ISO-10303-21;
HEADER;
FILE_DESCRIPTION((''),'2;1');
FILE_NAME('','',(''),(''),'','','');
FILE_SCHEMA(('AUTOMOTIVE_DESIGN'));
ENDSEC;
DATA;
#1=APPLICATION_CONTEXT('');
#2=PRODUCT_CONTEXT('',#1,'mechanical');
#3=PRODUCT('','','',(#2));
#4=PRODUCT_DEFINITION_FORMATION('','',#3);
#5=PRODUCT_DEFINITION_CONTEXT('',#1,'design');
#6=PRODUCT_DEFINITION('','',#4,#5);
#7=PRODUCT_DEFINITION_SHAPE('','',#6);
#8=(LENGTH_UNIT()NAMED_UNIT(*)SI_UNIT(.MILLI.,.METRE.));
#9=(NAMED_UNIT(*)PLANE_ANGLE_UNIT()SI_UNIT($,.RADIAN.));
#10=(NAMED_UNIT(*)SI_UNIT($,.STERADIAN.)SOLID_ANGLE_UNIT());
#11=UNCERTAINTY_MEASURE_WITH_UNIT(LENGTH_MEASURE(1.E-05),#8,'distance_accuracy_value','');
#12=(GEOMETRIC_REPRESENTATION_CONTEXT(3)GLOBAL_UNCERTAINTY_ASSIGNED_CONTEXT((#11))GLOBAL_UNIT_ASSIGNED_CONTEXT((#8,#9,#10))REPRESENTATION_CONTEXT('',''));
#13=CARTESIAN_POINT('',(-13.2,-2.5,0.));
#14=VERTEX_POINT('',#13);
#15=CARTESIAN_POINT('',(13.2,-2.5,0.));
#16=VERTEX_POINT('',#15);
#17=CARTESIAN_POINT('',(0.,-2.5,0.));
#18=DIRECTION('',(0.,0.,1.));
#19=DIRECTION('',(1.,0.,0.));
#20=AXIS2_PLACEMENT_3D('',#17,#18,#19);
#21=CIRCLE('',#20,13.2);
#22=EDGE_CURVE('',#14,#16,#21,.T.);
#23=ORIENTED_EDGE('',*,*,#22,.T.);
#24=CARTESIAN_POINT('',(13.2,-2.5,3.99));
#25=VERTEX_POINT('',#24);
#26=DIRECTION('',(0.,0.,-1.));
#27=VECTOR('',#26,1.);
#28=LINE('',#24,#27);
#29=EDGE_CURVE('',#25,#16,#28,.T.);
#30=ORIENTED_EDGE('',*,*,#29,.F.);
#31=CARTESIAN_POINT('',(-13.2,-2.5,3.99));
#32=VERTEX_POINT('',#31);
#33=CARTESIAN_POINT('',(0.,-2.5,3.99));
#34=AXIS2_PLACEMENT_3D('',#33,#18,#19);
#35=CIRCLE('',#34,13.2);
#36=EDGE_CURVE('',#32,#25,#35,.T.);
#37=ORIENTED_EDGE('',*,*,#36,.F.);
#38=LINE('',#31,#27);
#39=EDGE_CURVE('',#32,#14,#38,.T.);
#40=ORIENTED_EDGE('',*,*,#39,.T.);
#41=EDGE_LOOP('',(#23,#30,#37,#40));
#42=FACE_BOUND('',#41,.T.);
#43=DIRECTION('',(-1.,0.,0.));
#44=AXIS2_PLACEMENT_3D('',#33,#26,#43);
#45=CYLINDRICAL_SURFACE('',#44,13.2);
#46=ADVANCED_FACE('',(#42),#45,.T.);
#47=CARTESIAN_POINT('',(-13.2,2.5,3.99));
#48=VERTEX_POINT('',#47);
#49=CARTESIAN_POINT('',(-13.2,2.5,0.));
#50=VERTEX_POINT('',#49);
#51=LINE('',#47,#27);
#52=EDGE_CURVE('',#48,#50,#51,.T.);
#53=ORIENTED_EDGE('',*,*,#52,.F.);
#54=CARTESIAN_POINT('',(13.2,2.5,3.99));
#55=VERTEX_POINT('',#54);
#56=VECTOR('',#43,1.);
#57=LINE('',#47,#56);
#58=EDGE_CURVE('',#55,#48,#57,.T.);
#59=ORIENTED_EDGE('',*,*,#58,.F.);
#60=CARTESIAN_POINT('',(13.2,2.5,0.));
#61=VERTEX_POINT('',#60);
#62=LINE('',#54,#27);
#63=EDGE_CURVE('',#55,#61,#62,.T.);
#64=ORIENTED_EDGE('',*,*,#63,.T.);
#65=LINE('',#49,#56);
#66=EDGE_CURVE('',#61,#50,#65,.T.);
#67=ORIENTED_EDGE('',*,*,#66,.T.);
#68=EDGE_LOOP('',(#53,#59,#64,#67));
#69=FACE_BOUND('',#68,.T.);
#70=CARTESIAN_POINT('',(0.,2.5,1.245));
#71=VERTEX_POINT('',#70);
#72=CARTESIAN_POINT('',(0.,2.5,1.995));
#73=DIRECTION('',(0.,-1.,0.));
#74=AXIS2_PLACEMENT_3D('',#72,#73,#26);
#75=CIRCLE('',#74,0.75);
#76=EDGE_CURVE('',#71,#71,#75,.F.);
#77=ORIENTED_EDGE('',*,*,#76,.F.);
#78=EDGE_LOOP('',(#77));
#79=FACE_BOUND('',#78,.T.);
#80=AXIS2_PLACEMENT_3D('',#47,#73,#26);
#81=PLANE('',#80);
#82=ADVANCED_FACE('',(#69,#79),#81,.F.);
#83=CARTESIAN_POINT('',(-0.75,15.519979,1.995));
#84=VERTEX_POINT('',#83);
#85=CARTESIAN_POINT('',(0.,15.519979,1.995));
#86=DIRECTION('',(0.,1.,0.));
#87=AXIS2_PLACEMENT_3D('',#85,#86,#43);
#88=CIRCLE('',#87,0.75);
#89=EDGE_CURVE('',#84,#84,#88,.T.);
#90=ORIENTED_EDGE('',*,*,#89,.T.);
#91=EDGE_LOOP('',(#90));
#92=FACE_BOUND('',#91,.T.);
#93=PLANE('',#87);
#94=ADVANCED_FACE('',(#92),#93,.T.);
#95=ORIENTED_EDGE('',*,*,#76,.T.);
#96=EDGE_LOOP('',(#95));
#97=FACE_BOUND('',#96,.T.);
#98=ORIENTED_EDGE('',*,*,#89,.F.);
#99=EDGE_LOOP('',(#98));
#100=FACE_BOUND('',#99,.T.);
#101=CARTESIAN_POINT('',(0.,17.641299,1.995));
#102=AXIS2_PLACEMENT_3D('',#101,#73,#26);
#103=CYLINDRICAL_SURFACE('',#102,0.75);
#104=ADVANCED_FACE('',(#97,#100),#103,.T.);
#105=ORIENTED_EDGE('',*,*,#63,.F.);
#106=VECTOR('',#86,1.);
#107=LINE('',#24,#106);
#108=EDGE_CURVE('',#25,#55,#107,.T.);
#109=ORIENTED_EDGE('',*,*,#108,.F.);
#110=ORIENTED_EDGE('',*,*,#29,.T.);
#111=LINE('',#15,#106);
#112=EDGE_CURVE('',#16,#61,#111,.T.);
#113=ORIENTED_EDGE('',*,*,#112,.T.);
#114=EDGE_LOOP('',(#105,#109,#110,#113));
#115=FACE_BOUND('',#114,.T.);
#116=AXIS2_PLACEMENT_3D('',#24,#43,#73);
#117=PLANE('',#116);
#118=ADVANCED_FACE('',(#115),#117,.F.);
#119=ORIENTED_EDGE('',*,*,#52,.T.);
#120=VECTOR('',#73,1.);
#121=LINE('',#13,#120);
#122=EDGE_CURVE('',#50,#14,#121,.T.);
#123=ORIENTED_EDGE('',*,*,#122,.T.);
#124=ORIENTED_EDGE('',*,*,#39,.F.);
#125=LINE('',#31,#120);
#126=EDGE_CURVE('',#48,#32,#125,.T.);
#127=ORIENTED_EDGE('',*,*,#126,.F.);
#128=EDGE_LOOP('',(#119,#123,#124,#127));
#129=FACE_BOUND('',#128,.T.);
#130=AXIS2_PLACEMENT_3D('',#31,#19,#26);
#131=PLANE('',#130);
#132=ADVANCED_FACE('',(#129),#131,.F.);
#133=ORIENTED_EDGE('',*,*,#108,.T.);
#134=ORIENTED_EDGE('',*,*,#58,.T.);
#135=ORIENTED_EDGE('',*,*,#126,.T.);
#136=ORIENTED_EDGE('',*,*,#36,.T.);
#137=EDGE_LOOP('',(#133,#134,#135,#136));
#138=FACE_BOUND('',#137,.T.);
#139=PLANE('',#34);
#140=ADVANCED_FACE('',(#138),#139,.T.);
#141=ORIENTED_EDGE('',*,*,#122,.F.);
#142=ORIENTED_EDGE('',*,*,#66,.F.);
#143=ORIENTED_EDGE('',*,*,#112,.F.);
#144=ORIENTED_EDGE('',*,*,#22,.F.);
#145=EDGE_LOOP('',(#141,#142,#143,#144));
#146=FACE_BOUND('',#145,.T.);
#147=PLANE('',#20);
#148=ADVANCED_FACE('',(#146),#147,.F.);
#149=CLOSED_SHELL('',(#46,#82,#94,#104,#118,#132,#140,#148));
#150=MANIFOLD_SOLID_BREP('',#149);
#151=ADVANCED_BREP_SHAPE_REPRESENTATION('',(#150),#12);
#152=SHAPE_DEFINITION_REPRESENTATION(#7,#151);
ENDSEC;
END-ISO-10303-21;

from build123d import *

# Parameters (mm, degrees)
BOSS_EXTRUDE1_DEPTH = 3.99
SKETCH2_R           = 0.75
BOSS_EXTRUDE2_DEPTH = 13.019979


with BuildPart() as part:
    # Sketch1 → Boss-Extrude1 (new body)
    with BuildSketch(Plane.XY):
        with BuildLine():
            Line((-13.2, -2.5), (-13.2, 2.5))
            Line((-13.2, 2.5), (13.2, 2.5))
            Line((13.2, 2.5), (13.2, -2.5))
            ThreePointArc((13.2, -2.5), (0, -15.7), (-13.2, -2.5))
        make_face()
    extrude(amount=BOSS_EXTRUDE1_DEPTH)

    # Sketch2 → Boss-Extrude2 (add)
    with BuildSketch(Plane(origin=(0, 2.5, 0), x_dir=(1, 0, 0), z_dir=(0, 1, 0))):
        with Locations((0, -1.995)):
            Circle(SKETCH2_R)
    extrude(amount=BOSS_EXTRUDE2_DEPTH)


solid = part.part
